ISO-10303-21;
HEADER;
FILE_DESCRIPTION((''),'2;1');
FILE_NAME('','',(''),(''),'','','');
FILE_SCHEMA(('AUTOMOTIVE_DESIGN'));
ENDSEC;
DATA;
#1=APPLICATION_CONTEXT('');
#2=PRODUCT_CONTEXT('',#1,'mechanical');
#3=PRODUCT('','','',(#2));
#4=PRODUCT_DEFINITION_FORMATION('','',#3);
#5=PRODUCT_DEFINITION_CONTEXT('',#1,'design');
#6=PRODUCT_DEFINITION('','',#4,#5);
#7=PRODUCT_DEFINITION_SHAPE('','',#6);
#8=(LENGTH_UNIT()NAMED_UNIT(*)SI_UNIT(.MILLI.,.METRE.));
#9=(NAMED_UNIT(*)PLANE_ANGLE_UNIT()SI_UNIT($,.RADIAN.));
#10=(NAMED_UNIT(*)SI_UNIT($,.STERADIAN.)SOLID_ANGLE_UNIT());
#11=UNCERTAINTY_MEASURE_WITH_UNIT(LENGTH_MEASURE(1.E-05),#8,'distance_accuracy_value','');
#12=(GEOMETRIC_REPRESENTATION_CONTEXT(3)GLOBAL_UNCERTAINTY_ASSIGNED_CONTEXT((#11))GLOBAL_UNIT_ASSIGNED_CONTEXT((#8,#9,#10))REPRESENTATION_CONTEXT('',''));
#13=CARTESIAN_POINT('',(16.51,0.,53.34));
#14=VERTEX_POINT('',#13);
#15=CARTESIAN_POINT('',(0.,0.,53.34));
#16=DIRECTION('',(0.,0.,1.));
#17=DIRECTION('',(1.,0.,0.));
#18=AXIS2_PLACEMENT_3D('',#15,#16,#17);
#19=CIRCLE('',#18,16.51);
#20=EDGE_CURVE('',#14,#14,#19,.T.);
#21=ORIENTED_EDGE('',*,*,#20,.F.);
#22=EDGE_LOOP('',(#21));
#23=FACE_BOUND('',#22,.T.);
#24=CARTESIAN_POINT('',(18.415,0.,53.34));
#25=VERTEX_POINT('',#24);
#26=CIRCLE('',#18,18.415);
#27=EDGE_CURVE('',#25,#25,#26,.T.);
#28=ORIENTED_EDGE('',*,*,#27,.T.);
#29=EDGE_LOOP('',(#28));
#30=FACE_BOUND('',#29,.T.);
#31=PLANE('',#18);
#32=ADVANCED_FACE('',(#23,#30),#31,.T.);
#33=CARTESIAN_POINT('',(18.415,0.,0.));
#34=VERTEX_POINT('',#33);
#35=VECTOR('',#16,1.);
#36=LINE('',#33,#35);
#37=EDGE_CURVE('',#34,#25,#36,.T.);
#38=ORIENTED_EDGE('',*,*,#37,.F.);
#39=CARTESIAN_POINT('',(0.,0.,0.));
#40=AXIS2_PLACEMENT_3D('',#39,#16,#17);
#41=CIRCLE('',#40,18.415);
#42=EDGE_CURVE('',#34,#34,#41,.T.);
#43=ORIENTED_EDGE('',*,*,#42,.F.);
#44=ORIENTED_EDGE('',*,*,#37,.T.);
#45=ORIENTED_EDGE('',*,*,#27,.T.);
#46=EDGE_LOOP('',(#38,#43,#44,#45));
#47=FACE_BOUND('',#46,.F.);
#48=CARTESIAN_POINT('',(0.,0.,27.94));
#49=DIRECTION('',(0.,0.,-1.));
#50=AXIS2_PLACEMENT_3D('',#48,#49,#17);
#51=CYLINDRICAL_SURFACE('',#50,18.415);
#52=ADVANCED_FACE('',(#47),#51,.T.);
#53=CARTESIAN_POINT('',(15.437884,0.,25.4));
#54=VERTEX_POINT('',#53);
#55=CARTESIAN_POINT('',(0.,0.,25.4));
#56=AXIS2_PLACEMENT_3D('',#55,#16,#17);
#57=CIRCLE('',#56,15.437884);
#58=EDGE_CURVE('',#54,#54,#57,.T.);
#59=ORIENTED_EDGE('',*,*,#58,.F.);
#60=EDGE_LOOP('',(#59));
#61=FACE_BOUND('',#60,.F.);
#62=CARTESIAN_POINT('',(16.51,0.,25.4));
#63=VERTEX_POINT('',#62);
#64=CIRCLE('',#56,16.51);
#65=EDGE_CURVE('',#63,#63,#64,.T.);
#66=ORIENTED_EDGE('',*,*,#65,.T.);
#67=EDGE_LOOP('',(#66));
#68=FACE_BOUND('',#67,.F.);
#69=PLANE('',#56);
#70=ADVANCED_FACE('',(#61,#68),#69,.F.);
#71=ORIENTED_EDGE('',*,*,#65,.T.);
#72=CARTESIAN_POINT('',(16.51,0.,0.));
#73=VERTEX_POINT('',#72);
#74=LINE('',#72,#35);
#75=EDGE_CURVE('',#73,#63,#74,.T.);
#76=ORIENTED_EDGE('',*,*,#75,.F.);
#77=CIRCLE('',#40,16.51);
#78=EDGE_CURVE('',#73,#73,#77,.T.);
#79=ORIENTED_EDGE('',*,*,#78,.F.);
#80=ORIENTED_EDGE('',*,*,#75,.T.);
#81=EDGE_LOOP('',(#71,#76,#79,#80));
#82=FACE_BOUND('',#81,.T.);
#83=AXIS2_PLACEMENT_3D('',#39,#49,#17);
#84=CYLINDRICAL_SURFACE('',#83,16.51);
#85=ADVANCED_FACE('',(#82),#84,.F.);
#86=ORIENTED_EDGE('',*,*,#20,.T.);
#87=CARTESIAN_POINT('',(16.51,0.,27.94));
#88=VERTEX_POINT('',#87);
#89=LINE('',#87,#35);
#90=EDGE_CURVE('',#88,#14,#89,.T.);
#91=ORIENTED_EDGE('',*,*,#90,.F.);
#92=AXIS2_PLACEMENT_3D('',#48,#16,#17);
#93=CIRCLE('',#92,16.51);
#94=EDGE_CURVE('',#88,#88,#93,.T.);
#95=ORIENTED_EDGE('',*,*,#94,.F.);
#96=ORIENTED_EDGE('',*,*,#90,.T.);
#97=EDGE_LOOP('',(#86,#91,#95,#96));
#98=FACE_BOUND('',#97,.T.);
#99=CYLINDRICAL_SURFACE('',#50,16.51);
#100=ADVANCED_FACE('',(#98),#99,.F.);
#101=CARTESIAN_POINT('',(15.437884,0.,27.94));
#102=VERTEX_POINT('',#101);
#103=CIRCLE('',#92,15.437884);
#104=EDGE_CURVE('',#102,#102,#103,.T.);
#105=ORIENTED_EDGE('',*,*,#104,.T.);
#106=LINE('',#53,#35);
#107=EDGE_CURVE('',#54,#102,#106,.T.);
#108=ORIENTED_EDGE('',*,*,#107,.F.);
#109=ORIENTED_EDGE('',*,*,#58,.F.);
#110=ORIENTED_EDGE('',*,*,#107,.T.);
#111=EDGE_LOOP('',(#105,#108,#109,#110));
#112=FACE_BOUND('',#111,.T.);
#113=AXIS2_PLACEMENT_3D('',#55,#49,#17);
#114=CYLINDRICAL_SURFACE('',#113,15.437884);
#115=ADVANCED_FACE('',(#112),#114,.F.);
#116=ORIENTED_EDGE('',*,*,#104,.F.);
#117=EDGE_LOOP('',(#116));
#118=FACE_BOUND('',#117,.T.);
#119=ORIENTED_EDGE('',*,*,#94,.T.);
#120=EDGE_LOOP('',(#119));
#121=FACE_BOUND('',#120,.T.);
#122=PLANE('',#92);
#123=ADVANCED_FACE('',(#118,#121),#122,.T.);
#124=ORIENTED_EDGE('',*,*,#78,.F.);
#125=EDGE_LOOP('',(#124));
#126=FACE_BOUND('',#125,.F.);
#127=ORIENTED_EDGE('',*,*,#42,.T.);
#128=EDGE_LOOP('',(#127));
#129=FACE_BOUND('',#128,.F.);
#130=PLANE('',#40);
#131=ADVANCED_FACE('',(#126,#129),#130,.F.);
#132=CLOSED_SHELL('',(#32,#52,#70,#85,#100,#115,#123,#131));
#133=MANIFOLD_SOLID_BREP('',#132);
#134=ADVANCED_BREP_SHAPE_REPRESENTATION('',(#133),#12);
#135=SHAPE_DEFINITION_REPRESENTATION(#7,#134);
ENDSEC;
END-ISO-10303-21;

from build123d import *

# Parameters (mm, degrees)
F0_R     = 18.415
F0_R_2   = 16.51
F1_DEPTH = 25.4
F3_R     = 18.415
F3_R_2   = 16.51
F3_R_3   = 15.4378836309
F4_DEPTH = 2.54
F5_R     = 18.415
F5_R_2   = 16.51
F6_DEPTH = 25.4


with BuildPart() as f1:
    # F0 (on Top) → F1 (new body)
    with BuildSketch(Plane.XY):
        Circle(F0_R)
        Circle(F0_R_2, mode=Mode.SUBTRACT)
    extrude(amount=F1_DEPTH)

    # F3 (on offset) → F4 (join)
    with BuildSketch(Plane.XY.offset(25.4)):
        Circle(F3_R)
        Circle(F3_R_2, mode=Mode.SUBTRACT)
        Circle(F3_R_2)
        Circle(F3_R_3, mode=Mode.SUBTRACT)
    extrude(amount=F4_DEPTH)

    # F5 (on face) → F6 (join)
    with BuildSketch(Plane.XY.offset(27.94)):
        Circle(F5_R)
        Circle(F5_R_2, mode=Mode.SUBTRACT)
    extrude(amount=F6_DEPTH)


solid = f1.part
